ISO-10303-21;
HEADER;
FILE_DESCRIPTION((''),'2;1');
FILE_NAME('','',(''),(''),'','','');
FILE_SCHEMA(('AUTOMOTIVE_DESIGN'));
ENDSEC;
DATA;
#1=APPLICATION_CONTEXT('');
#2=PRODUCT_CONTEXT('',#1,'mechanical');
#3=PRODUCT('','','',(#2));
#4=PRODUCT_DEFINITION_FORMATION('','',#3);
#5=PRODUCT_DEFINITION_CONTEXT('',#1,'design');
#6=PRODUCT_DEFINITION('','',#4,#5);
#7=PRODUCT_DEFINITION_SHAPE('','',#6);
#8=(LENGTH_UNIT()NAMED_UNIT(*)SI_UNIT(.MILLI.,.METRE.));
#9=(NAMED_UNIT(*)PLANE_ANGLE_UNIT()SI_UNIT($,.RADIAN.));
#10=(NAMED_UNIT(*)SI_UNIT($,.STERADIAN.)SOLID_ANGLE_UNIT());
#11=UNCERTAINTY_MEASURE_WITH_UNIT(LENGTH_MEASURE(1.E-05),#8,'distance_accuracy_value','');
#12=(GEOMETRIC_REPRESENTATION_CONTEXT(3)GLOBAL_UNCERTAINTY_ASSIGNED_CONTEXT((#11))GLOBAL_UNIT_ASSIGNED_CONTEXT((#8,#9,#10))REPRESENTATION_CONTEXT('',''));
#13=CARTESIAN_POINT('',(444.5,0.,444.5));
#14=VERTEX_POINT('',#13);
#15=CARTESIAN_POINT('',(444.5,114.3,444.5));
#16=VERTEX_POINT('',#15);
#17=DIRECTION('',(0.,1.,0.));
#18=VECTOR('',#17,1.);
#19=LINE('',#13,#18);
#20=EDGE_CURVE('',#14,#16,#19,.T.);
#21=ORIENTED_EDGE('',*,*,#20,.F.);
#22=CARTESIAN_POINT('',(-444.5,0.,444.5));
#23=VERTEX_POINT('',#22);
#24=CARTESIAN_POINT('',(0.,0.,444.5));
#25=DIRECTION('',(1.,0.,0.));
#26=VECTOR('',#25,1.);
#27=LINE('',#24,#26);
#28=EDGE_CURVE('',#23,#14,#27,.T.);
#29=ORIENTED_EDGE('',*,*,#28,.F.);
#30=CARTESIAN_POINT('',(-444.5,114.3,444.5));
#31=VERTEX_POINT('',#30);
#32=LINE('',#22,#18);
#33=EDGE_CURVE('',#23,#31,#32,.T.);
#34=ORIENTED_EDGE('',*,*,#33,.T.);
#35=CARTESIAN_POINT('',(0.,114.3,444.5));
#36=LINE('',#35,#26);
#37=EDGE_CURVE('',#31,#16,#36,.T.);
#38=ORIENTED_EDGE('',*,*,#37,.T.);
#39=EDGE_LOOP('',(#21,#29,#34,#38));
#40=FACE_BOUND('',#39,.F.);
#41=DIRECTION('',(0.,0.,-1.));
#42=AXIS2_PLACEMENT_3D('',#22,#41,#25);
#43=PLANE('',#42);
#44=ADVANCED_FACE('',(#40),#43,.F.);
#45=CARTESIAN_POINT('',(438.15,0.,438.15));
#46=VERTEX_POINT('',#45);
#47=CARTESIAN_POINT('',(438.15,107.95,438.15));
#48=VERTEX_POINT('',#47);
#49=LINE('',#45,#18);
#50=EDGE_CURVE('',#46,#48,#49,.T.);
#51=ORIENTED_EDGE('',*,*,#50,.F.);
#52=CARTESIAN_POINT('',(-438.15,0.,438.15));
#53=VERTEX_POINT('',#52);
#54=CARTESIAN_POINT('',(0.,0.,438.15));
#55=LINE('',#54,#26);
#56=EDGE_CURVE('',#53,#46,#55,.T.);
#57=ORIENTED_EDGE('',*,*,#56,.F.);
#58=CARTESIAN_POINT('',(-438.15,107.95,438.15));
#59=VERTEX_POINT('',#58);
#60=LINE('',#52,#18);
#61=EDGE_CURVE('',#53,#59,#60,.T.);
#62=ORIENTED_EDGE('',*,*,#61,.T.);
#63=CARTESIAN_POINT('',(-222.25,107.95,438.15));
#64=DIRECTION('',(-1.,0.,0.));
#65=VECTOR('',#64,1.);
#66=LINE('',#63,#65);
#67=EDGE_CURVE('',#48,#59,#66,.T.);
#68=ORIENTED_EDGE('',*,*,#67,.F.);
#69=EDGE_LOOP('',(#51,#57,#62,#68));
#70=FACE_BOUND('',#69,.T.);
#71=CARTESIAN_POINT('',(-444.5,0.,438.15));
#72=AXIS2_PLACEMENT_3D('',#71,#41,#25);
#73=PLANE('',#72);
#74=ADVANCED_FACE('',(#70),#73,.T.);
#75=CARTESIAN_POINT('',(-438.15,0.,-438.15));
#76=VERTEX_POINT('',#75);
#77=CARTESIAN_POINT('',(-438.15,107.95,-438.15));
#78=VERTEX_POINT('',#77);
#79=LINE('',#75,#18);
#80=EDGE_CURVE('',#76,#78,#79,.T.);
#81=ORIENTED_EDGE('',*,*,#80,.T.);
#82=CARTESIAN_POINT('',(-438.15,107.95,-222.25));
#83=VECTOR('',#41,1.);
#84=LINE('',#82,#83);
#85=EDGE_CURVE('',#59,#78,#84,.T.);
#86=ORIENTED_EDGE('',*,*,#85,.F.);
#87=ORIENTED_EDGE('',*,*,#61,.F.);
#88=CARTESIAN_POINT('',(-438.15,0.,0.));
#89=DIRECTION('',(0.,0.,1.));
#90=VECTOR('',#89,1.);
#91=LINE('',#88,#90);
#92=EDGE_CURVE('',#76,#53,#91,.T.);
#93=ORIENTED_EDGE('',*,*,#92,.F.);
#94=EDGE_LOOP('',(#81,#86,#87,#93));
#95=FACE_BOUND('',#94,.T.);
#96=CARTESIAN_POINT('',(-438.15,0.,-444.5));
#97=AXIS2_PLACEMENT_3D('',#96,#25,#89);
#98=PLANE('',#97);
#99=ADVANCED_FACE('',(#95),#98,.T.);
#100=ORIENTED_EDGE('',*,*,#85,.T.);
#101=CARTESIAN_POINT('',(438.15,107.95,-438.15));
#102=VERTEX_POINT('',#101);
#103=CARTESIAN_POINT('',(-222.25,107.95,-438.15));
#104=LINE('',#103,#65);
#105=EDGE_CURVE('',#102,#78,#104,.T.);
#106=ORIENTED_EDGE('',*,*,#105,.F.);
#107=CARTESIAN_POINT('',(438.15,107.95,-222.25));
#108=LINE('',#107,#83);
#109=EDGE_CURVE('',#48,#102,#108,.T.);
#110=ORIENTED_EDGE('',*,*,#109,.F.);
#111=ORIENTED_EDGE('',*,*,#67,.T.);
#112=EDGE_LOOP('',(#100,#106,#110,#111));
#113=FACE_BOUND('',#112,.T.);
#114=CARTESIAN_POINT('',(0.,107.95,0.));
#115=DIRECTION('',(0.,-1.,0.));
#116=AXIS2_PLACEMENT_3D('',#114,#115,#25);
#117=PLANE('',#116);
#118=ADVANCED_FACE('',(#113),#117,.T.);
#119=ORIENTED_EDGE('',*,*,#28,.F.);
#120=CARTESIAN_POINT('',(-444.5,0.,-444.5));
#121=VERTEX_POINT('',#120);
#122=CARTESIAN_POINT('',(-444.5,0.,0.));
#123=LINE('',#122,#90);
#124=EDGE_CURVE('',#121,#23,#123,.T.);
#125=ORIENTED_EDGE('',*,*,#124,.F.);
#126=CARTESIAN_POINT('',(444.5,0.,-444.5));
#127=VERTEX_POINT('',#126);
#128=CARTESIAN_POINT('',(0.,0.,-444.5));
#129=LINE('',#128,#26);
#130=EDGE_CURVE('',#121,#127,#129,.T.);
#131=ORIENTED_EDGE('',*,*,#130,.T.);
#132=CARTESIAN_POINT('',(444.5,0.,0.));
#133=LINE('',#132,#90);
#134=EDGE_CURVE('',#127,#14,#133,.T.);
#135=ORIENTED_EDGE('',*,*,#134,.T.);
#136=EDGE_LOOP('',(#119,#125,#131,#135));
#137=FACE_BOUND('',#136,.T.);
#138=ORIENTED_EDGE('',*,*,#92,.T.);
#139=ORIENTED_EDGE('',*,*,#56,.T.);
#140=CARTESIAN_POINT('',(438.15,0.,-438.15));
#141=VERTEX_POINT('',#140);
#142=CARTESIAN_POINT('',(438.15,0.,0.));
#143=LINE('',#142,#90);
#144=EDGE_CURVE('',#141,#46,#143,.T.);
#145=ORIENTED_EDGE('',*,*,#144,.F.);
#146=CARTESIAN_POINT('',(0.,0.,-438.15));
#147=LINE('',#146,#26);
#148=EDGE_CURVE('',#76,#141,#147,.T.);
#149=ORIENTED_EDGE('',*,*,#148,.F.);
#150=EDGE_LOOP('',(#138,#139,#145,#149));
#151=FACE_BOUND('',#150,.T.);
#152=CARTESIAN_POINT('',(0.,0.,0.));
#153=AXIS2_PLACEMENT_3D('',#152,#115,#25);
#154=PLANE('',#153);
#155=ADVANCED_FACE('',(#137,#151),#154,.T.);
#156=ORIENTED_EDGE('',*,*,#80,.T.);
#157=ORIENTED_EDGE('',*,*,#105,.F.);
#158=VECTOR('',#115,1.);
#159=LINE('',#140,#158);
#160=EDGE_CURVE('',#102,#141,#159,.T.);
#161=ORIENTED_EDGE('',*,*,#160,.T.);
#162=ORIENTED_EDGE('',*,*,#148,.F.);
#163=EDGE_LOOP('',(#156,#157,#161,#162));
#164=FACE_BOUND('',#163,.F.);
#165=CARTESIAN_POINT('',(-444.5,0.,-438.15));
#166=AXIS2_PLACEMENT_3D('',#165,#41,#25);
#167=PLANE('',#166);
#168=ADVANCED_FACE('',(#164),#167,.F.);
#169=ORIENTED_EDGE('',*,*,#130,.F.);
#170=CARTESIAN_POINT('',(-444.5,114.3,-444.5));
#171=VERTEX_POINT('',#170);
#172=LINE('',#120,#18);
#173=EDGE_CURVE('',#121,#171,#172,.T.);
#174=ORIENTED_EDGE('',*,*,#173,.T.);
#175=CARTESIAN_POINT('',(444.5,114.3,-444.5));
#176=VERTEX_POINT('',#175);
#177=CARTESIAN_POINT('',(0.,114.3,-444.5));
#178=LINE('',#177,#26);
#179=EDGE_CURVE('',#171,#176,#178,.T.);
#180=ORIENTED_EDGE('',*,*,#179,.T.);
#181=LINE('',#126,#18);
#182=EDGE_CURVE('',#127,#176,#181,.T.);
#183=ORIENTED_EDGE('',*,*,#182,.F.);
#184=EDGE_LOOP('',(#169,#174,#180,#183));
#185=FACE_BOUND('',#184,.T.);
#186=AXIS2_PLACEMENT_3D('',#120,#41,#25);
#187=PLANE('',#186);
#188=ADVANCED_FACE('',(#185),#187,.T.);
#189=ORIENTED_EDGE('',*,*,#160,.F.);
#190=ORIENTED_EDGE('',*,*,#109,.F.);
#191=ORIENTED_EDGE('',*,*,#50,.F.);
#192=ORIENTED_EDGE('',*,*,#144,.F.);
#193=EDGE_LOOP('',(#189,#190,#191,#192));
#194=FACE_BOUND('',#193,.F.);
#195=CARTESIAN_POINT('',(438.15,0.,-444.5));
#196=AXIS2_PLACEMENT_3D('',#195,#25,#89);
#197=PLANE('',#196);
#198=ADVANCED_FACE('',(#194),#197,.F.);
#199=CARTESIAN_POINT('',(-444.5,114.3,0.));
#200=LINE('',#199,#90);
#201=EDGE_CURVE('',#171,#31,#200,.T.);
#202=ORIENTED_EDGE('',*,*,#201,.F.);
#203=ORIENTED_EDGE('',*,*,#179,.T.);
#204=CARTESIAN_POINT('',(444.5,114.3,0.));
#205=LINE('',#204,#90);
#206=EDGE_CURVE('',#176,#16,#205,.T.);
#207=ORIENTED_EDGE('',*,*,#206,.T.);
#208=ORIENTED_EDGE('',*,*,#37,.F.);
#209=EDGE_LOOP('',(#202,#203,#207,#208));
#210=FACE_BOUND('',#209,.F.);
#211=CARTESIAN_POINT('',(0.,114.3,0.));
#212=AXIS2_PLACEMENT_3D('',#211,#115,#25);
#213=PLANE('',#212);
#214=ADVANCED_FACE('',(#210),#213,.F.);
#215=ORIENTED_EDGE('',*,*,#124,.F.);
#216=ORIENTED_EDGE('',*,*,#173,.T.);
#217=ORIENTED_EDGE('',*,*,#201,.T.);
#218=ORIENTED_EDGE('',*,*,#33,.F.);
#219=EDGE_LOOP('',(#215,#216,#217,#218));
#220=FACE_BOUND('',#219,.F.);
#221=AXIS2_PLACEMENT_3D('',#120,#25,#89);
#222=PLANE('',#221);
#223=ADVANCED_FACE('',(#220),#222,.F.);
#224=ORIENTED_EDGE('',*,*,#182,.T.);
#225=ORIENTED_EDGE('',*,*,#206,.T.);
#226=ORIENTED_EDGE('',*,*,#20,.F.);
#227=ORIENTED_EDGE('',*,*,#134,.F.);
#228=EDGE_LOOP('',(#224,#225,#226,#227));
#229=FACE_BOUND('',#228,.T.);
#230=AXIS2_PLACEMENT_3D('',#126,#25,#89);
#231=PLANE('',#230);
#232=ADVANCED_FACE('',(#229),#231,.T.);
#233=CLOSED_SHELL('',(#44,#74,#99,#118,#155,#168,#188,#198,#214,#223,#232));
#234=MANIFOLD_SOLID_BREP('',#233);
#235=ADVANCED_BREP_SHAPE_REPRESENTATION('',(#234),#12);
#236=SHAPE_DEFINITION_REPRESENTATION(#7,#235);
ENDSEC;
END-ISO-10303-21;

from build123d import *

# Parameters (mm, degrees)
F0_W     = 889
F0_H     = 889
F1_DEPTH = 114.3
F2_T     = -6.35


with BuildPart() as f1:
    # F0 (on Front) → F1 (new body)
    with BuildSketch(Plane.XZ):
        Rectangle(F0_W, F0_H)
    extrude(amount=-F1_DEPTH)

    # F2
    f2_openings = [f1.faces().sort_by_distance(p)[0] for p in [
        (0, 0, 0),
    ]]
    offset(amount=F2_T, openings=f2_openings)


solid = f1.part
